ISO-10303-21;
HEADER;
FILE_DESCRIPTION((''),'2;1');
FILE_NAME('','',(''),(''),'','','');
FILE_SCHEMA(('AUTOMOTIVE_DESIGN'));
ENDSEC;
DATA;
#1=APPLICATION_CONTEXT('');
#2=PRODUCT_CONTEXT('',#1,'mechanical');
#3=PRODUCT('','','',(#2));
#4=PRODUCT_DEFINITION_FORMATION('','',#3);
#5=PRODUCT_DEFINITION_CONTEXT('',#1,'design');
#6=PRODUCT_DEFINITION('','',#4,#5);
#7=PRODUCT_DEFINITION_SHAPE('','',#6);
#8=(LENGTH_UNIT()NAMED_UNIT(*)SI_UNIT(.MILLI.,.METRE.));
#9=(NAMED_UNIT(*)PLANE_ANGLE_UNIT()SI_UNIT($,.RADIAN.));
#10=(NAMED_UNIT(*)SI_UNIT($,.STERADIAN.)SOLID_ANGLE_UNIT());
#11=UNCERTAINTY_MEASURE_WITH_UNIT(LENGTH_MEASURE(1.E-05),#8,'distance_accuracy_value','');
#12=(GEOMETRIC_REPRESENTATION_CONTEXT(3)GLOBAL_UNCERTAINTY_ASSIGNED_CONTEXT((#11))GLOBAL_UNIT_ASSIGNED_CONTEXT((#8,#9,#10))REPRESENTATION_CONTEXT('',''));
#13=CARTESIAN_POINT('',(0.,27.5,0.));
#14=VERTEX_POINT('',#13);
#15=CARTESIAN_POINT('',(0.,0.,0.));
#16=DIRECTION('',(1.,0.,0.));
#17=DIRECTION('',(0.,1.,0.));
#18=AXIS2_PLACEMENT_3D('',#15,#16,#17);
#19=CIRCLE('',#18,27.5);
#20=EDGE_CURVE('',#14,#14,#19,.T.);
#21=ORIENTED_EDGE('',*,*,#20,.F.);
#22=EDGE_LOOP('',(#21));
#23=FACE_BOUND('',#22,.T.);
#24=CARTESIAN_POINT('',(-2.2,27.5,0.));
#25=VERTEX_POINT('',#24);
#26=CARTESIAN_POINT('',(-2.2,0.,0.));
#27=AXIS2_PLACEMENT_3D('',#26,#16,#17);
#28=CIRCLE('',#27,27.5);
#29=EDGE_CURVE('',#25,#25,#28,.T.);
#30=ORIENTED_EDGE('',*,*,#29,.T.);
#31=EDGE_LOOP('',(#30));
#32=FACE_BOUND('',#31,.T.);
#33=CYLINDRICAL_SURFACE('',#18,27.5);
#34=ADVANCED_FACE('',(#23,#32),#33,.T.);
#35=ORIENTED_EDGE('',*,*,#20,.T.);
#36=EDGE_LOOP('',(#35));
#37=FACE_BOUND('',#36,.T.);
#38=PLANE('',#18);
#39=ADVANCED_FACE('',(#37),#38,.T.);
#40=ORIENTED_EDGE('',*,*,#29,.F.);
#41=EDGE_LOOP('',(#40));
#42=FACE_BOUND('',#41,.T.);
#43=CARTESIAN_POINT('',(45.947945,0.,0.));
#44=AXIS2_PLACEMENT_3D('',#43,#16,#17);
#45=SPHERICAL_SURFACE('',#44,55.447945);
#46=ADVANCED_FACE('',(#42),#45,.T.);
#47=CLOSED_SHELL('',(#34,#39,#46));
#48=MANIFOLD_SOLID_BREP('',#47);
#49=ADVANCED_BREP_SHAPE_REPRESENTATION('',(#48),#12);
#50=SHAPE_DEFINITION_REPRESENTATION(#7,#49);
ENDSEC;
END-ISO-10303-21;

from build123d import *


with BuildPart() as part:
    # 草图1 → 旋转1 (revolve)
    with BuildSketch(Plane.XY):
        with BuildLine():
            Line((-9.5, 0), (0, 0))
            Line((0, 0), (0, 27.5))
            Line((0, 27.5), (-2.2, 27.5))
            ThreePointArc((-2.2, 27.5), (-7.643935033, 14.226208209), (-9.5, 0))
        make_face()
    revolve(axis=Axis((0, 0, 0), (-1, 0, 0)))


solid = part.part
